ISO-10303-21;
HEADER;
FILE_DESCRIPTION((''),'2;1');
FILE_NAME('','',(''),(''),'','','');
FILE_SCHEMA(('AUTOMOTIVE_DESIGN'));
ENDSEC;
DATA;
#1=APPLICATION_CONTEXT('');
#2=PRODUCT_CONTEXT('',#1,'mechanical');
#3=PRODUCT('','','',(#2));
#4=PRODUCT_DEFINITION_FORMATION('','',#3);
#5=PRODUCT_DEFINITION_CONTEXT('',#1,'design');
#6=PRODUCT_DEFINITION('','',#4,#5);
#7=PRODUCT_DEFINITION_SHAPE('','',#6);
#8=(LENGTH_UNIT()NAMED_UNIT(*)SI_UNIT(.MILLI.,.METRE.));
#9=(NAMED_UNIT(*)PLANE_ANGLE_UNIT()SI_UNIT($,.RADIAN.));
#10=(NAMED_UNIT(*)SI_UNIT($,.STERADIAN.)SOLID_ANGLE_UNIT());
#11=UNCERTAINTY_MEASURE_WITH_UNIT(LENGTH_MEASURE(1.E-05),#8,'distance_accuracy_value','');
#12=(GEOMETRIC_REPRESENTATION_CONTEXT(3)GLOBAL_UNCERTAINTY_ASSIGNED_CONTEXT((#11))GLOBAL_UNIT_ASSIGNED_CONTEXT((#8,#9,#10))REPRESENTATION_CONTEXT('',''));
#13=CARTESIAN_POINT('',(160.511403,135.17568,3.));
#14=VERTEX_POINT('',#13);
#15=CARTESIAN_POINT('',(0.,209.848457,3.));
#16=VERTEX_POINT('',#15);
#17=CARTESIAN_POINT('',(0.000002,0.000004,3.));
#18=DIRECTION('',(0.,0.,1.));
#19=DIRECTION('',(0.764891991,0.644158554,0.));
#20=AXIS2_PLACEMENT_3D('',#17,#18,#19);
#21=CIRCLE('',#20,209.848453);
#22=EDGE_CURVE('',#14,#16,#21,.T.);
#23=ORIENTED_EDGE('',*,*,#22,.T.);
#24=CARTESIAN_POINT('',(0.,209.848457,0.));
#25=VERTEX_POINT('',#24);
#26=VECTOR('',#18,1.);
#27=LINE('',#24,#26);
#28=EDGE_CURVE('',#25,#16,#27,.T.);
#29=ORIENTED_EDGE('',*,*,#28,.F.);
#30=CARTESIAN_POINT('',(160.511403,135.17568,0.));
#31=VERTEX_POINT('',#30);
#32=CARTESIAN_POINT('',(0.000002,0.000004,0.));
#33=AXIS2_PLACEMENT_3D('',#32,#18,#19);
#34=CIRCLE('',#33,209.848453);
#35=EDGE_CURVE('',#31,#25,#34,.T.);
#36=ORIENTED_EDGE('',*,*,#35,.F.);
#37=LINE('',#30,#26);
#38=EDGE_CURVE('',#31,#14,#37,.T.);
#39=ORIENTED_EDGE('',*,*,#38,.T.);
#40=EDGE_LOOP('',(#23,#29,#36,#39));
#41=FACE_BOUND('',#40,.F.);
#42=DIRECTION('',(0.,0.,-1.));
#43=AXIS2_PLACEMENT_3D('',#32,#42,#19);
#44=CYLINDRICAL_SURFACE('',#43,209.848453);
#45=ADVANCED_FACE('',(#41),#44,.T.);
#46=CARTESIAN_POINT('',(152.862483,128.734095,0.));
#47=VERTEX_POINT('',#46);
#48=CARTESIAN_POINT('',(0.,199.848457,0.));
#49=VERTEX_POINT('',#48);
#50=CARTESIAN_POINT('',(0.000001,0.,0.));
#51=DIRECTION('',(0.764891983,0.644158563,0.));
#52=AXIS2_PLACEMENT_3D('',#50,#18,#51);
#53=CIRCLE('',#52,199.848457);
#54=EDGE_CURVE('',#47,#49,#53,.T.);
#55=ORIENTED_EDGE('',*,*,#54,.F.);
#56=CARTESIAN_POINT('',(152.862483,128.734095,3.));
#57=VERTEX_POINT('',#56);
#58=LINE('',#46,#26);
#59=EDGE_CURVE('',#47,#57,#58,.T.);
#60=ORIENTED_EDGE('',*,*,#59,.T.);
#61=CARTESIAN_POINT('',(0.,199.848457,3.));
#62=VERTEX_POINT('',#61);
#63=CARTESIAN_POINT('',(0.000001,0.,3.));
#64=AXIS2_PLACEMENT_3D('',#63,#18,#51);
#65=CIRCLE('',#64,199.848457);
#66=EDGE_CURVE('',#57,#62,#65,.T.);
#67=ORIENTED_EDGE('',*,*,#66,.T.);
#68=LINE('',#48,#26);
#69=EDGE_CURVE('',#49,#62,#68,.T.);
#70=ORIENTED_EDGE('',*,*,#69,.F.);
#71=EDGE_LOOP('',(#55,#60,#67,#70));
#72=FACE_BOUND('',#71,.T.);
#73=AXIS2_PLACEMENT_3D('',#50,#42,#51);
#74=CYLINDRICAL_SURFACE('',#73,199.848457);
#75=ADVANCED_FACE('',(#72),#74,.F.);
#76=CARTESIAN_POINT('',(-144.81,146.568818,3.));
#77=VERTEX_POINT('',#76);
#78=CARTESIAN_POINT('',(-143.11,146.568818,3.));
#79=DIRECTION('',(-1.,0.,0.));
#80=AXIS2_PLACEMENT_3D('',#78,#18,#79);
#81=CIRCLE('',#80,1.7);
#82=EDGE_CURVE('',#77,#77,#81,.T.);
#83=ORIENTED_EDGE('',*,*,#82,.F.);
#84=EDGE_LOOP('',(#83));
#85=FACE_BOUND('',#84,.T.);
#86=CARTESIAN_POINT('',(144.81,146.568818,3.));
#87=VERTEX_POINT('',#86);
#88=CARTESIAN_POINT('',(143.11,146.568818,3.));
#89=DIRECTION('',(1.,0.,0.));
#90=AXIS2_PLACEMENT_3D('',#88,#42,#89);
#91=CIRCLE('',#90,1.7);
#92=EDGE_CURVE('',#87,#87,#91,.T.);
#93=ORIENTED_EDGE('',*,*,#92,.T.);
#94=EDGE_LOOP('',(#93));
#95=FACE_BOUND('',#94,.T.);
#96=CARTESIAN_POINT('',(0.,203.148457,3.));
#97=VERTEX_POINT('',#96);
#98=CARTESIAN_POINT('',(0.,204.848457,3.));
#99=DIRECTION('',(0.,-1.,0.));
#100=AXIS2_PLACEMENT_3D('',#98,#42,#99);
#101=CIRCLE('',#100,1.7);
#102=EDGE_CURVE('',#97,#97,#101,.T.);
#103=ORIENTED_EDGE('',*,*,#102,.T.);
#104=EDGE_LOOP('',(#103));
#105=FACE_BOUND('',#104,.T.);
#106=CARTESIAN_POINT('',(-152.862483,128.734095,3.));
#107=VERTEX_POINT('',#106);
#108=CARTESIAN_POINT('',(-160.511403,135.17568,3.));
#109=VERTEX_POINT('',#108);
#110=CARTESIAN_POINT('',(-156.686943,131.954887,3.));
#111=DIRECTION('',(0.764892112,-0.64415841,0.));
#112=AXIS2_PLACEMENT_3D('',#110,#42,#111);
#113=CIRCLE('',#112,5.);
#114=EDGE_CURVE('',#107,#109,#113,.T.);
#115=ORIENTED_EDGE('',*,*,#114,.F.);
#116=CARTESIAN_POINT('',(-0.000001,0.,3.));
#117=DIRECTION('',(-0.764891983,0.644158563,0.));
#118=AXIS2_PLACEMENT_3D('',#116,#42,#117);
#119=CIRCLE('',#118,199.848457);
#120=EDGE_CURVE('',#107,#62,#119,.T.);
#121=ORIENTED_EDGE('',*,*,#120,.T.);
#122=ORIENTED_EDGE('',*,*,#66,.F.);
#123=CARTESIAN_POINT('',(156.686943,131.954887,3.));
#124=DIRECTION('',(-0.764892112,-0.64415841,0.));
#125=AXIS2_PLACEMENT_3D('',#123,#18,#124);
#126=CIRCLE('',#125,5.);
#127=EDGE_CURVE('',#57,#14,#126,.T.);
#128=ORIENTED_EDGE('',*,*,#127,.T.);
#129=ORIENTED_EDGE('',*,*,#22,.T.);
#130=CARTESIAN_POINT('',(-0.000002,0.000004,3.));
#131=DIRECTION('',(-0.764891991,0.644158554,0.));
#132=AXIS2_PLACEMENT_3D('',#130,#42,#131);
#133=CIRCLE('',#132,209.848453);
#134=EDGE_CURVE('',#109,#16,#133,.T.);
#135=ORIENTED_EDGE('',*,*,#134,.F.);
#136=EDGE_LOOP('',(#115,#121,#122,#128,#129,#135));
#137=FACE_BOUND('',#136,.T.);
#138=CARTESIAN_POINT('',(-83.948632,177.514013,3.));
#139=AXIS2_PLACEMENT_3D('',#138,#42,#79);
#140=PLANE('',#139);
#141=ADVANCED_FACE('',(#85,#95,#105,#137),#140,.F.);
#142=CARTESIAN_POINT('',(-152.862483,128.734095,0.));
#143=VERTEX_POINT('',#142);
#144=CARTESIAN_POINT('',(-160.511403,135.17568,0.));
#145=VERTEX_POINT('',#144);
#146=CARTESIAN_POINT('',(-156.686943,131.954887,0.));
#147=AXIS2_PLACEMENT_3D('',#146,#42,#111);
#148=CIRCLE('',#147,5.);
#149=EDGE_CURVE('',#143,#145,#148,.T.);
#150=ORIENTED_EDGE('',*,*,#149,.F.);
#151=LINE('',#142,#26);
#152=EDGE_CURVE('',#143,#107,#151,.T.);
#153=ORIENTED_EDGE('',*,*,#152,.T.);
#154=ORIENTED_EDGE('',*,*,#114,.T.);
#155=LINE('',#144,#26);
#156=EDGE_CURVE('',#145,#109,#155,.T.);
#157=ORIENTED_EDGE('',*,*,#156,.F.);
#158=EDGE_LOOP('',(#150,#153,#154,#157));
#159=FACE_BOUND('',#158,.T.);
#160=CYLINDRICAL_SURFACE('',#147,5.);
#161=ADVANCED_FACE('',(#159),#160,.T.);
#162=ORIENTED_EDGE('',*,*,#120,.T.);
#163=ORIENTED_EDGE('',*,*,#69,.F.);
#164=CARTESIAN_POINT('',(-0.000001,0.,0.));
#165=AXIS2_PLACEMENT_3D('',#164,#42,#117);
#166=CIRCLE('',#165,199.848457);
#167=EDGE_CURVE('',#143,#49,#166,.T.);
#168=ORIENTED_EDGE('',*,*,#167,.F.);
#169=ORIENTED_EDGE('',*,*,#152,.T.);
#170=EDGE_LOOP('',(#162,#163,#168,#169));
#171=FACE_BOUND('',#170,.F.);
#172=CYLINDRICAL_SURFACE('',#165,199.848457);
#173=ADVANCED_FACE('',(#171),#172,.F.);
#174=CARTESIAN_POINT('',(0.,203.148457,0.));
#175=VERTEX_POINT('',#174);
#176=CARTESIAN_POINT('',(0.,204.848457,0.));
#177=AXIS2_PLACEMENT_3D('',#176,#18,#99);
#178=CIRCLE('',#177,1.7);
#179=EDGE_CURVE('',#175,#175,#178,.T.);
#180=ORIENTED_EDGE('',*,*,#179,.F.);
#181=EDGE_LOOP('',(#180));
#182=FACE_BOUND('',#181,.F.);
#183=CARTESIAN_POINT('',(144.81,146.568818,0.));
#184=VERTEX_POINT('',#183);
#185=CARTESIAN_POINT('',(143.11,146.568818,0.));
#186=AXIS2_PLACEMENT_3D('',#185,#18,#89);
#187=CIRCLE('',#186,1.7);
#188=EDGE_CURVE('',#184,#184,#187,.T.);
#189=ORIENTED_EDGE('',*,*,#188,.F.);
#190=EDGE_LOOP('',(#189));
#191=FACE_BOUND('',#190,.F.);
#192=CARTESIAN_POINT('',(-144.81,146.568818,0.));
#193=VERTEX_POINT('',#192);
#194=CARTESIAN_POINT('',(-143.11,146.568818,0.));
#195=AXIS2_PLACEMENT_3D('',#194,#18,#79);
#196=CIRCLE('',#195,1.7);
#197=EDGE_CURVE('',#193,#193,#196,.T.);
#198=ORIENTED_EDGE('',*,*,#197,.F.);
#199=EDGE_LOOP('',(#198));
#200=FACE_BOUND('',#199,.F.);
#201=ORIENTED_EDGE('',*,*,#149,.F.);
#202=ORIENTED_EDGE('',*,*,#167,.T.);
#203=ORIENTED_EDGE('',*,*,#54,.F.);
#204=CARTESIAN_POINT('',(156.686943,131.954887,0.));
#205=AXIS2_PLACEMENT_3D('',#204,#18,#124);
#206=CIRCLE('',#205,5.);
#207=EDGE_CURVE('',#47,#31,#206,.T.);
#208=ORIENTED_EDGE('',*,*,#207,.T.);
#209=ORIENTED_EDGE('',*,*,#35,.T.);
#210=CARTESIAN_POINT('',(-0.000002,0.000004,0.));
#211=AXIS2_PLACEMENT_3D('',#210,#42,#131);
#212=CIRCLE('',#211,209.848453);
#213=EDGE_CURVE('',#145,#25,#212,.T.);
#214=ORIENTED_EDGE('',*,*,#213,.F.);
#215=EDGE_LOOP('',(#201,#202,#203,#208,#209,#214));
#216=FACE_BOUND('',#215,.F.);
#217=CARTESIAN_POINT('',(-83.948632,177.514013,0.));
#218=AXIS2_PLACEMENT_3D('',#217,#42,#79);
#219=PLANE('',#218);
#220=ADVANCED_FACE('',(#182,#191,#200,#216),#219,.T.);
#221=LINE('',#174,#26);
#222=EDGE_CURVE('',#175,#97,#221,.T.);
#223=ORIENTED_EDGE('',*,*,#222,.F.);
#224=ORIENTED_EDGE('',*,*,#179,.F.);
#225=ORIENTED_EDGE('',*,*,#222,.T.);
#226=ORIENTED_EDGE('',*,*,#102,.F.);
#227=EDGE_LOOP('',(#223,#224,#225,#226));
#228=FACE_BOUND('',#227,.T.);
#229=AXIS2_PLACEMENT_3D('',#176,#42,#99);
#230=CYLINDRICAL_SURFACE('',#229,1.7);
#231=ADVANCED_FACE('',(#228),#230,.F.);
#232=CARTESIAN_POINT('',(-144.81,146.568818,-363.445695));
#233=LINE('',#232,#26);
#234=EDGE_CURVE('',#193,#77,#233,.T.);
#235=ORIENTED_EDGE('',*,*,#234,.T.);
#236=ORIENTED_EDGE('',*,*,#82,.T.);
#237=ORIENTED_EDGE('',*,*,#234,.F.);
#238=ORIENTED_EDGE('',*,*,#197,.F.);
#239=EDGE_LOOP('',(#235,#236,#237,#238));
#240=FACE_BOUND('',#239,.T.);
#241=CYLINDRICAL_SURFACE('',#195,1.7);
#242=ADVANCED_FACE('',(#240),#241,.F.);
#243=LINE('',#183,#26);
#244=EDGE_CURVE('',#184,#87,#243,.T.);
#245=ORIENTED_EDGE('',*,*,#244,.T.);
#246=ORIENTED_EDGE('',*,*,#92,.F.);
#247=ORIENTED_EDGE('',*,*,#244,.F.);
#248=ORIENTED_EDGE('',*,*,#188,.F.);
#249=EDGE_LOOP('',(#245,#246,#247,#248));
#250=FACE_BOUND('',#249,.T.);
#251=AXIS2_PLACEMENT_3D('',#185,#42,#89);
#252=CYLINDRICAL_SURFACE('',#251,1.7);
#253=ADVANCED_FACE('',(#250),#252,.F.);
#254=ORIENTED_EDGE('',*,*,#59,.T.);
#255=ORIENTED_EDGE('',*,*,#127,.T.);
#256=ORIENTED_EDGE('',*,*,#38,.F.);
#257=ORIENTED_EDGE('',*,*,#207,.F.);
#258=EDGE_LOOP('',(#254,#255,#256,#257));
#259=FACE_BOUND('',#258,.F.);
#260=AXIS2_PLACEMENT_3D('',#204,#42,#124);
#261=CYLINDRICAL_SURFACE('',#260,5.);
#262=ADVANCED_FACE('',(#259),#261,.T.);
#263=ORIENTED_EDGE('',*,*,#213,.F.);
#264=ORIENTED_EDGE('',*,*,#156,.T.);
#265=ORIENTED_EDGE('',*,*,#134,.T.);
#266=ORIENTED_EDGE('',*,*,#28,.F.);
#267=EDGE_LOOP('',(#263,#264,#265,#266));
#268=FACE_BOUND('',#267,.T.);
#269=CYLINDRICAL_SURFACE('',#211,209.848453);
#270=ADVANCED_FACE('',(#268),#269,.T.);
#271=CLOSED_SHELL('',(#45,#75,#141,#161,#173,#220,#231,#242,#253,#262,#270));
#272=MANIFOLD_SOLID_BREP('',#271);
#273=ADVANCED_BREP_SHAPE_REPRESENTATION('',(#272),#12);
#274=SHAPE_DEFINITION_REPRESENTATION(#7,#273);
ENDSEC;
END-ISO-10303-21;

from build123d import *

# Parameters (mm, degrees)
PAD014_DEPTH         = 3
SKETCH055_R          = 1.7
POCKET019_DEPTH      = 363.445695
POCKET019_DEPTH_BACK = 366.445695


with BuildPart() as part:
    # Sketch052 → Pad014 (new body)
    with BuildSketch(Plane.XY):
        with BuildLine():
            ThreePointArc((152.862483, 128.734095), (84.297377, 181.199774), (0, 199.848457))
            Line((0, 199.848457), (0, 209.848457))
            ThreePointArc((160.511403, 135.17568), (88.515442, 190.266633), (0, 209.848457))
            ThreePointArc((152.862483, 128.734095), (159.907736, 128.130427), (160.511403, 135.17568))
        make_face()
    pad014 = extrude(amount=PAD014_DEPTH)

    # Sketch055 → Pocket019 (cut, two sides)
    with BuildSketch(Plane.XY) as pocket019_sk:
        with Locations((143.11, 146.568818)):
            Circle(SKETCH055_R)
        with BuildLine():
            Line((0, 203.148457), (0, 206.548457))
            ThreePointArc((0, 203.148457), (1.7, 204.848457), (0, 206.548457))
        make_face()
    pocket019 = extrude(amount=-POCKET019_DEPTH, mode=Mode.SUBTRACT) + extrude(pocket019_sk.sketch, amount=POCKET019_DEPTH_BACK, mode=Mode.SUBTRACT)

    # Mirrored019: Pad014, Pocket019 across Sketch052 V_Axis
    add(pad014.mirror(Plane(origin=(0, 0, 0), x_dir=(0, 0, 1), z_dir=(1, 0, 0))))
    add(pocket019.mirror(Plane(origin=(0, 0, 0), x_dir=(0, 0, 1), z_dir=(1, 0, 0))), mode=Mode.SUBTRACT)


solid = part.part
